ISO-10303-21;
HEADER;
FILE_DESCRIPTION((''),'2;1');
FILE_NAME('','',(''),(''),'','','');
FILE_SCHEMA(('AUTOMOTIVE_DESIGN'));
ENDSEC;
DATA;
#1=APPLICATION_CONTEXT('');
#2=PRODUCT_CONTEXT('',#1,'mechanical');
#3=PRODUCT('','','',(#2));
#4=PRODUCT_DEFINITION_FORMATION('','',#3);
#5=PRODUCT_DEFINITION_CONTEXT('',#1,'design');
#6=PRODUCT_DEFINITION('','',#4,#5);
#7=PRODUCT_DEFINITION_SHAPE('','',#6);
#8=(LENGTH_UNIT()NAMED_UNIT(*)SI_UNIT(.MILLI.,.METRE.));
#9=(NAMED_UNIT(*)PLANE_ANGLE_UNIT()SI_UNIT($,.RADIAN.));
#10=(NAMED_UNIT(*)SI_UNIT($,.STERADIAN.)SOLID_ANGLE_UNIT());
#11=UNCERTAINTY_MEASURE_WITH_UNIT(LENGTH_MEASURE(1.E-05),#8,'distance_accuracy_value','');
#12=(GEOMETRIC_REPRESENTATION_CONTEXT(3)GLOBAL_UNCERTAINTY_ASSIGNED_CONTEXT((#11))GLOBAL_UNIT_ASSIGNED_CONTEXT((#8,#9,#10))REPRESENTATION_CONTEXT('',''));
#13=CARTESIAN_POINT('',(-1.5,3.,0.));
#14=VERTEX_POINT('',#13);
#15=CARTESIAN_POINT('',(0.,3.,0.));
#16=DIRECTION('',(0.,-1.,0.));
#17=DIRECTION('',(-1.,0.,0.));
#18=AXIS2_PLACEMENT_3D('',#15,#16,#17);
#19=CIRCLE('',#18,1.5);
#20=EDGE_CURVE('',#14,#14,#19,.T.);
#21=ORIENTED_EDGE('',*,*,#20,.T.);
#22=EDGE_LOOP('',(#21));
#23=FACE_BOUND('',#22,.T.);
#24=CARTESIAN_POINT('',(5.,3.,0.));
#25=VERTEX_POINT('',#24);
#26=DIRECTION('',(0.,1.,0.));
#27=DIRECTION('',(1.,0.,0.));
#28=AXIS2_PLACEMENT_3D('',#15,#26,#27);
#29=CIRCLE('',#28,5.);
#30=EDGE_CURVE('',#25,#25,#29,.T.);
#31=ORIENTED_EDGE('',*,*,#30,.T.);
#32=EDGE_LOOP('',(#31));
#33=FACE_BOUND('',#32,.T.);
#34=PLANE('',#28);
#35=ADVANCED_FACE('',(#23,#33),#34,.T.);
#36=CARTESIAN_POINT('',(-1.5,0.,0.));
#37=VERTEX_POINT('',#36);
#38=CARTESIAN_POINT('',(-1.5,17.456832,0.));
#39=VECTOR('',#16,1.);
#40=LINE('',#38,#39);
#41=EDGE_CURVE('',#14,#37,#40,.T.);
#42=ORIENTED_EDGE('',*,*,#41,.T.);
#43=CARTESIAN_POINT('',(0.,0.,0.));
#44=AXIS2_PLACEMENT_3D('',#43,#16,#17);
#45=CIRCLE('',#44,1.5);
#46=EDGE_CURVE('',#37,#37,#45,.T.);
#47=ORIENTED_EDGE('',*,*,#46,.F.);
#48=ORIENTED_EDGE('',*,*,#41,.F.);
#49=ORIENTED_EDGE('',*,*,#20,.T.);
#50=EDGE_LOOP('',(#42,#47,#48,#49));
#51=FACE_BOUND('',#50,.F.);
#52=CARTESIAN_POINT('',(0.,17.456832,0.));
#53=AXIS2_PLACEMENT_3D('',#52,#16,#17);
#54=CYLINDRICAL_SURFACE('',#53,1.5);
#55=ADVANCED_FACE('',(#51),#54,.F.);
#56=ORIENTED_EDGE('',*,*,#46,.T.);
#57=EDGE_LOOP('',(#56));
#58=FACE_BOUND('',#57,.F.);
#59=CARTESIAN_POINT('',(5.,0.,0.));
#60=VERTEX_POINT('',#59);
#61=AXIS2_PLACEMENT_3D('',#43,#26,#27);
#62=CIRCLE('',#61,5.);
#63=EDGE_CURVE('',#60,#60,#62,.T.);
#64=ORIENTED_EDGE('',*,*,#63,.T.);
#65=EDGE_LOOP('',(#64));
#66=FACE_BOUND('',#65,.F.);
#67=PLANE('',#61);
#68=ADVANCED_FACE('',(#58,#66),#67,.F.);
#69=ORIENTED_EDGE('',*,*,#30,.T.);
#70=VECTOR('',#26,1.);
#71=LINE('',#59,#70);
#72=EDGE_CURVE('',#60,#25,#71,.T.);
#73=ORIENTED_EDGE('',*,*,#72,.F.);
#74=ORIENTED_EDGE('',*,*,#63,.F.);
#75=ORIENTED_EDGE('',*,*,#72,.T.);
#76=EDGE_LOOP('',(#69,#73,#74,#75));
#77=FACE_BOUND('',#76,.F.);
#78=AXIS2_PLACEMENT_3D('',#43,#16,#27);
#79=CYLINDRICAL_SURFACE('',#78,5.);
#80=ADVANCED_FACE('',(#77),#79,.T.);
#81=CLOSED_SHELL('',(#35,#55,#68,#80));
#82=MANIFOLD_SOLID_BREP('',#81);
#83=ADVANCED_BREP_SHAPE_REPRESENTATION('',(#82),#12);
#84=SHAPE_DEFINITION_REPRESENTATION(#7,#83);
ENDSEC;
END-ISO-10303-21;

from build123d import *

# Parameters (mm, degrees)
SKETCH1_R             = 5
BOSS_EXTRUDE1_DEPTH   = 3
F_3_0MM_DOWEL_HOLE1_D = 3


with BuildPart() as part:
    # Sketch1 → Boss-Extrude1 (new body)
    with BuildSketch(Plane(origin=(0, 0, 0), x_dir=(1, 0, 0), z_dir=(0, 1, 0))):
        Circle(SKETCH1_R)
    extrude(amount=BOSS_EXTRUDE1_DEPTH)

    # Ø3.0mm Dowel Hole1 (through all)
    with Locations(Plane(origin=(0, 3, 0), x_dir=(1, 0, 0), z_dir=(0, 1, 0))):
        with Locations((0, 0)):
            Hole(F_3_0MM_DOWEL_HOLE1_D / 2)


solid = part.part
